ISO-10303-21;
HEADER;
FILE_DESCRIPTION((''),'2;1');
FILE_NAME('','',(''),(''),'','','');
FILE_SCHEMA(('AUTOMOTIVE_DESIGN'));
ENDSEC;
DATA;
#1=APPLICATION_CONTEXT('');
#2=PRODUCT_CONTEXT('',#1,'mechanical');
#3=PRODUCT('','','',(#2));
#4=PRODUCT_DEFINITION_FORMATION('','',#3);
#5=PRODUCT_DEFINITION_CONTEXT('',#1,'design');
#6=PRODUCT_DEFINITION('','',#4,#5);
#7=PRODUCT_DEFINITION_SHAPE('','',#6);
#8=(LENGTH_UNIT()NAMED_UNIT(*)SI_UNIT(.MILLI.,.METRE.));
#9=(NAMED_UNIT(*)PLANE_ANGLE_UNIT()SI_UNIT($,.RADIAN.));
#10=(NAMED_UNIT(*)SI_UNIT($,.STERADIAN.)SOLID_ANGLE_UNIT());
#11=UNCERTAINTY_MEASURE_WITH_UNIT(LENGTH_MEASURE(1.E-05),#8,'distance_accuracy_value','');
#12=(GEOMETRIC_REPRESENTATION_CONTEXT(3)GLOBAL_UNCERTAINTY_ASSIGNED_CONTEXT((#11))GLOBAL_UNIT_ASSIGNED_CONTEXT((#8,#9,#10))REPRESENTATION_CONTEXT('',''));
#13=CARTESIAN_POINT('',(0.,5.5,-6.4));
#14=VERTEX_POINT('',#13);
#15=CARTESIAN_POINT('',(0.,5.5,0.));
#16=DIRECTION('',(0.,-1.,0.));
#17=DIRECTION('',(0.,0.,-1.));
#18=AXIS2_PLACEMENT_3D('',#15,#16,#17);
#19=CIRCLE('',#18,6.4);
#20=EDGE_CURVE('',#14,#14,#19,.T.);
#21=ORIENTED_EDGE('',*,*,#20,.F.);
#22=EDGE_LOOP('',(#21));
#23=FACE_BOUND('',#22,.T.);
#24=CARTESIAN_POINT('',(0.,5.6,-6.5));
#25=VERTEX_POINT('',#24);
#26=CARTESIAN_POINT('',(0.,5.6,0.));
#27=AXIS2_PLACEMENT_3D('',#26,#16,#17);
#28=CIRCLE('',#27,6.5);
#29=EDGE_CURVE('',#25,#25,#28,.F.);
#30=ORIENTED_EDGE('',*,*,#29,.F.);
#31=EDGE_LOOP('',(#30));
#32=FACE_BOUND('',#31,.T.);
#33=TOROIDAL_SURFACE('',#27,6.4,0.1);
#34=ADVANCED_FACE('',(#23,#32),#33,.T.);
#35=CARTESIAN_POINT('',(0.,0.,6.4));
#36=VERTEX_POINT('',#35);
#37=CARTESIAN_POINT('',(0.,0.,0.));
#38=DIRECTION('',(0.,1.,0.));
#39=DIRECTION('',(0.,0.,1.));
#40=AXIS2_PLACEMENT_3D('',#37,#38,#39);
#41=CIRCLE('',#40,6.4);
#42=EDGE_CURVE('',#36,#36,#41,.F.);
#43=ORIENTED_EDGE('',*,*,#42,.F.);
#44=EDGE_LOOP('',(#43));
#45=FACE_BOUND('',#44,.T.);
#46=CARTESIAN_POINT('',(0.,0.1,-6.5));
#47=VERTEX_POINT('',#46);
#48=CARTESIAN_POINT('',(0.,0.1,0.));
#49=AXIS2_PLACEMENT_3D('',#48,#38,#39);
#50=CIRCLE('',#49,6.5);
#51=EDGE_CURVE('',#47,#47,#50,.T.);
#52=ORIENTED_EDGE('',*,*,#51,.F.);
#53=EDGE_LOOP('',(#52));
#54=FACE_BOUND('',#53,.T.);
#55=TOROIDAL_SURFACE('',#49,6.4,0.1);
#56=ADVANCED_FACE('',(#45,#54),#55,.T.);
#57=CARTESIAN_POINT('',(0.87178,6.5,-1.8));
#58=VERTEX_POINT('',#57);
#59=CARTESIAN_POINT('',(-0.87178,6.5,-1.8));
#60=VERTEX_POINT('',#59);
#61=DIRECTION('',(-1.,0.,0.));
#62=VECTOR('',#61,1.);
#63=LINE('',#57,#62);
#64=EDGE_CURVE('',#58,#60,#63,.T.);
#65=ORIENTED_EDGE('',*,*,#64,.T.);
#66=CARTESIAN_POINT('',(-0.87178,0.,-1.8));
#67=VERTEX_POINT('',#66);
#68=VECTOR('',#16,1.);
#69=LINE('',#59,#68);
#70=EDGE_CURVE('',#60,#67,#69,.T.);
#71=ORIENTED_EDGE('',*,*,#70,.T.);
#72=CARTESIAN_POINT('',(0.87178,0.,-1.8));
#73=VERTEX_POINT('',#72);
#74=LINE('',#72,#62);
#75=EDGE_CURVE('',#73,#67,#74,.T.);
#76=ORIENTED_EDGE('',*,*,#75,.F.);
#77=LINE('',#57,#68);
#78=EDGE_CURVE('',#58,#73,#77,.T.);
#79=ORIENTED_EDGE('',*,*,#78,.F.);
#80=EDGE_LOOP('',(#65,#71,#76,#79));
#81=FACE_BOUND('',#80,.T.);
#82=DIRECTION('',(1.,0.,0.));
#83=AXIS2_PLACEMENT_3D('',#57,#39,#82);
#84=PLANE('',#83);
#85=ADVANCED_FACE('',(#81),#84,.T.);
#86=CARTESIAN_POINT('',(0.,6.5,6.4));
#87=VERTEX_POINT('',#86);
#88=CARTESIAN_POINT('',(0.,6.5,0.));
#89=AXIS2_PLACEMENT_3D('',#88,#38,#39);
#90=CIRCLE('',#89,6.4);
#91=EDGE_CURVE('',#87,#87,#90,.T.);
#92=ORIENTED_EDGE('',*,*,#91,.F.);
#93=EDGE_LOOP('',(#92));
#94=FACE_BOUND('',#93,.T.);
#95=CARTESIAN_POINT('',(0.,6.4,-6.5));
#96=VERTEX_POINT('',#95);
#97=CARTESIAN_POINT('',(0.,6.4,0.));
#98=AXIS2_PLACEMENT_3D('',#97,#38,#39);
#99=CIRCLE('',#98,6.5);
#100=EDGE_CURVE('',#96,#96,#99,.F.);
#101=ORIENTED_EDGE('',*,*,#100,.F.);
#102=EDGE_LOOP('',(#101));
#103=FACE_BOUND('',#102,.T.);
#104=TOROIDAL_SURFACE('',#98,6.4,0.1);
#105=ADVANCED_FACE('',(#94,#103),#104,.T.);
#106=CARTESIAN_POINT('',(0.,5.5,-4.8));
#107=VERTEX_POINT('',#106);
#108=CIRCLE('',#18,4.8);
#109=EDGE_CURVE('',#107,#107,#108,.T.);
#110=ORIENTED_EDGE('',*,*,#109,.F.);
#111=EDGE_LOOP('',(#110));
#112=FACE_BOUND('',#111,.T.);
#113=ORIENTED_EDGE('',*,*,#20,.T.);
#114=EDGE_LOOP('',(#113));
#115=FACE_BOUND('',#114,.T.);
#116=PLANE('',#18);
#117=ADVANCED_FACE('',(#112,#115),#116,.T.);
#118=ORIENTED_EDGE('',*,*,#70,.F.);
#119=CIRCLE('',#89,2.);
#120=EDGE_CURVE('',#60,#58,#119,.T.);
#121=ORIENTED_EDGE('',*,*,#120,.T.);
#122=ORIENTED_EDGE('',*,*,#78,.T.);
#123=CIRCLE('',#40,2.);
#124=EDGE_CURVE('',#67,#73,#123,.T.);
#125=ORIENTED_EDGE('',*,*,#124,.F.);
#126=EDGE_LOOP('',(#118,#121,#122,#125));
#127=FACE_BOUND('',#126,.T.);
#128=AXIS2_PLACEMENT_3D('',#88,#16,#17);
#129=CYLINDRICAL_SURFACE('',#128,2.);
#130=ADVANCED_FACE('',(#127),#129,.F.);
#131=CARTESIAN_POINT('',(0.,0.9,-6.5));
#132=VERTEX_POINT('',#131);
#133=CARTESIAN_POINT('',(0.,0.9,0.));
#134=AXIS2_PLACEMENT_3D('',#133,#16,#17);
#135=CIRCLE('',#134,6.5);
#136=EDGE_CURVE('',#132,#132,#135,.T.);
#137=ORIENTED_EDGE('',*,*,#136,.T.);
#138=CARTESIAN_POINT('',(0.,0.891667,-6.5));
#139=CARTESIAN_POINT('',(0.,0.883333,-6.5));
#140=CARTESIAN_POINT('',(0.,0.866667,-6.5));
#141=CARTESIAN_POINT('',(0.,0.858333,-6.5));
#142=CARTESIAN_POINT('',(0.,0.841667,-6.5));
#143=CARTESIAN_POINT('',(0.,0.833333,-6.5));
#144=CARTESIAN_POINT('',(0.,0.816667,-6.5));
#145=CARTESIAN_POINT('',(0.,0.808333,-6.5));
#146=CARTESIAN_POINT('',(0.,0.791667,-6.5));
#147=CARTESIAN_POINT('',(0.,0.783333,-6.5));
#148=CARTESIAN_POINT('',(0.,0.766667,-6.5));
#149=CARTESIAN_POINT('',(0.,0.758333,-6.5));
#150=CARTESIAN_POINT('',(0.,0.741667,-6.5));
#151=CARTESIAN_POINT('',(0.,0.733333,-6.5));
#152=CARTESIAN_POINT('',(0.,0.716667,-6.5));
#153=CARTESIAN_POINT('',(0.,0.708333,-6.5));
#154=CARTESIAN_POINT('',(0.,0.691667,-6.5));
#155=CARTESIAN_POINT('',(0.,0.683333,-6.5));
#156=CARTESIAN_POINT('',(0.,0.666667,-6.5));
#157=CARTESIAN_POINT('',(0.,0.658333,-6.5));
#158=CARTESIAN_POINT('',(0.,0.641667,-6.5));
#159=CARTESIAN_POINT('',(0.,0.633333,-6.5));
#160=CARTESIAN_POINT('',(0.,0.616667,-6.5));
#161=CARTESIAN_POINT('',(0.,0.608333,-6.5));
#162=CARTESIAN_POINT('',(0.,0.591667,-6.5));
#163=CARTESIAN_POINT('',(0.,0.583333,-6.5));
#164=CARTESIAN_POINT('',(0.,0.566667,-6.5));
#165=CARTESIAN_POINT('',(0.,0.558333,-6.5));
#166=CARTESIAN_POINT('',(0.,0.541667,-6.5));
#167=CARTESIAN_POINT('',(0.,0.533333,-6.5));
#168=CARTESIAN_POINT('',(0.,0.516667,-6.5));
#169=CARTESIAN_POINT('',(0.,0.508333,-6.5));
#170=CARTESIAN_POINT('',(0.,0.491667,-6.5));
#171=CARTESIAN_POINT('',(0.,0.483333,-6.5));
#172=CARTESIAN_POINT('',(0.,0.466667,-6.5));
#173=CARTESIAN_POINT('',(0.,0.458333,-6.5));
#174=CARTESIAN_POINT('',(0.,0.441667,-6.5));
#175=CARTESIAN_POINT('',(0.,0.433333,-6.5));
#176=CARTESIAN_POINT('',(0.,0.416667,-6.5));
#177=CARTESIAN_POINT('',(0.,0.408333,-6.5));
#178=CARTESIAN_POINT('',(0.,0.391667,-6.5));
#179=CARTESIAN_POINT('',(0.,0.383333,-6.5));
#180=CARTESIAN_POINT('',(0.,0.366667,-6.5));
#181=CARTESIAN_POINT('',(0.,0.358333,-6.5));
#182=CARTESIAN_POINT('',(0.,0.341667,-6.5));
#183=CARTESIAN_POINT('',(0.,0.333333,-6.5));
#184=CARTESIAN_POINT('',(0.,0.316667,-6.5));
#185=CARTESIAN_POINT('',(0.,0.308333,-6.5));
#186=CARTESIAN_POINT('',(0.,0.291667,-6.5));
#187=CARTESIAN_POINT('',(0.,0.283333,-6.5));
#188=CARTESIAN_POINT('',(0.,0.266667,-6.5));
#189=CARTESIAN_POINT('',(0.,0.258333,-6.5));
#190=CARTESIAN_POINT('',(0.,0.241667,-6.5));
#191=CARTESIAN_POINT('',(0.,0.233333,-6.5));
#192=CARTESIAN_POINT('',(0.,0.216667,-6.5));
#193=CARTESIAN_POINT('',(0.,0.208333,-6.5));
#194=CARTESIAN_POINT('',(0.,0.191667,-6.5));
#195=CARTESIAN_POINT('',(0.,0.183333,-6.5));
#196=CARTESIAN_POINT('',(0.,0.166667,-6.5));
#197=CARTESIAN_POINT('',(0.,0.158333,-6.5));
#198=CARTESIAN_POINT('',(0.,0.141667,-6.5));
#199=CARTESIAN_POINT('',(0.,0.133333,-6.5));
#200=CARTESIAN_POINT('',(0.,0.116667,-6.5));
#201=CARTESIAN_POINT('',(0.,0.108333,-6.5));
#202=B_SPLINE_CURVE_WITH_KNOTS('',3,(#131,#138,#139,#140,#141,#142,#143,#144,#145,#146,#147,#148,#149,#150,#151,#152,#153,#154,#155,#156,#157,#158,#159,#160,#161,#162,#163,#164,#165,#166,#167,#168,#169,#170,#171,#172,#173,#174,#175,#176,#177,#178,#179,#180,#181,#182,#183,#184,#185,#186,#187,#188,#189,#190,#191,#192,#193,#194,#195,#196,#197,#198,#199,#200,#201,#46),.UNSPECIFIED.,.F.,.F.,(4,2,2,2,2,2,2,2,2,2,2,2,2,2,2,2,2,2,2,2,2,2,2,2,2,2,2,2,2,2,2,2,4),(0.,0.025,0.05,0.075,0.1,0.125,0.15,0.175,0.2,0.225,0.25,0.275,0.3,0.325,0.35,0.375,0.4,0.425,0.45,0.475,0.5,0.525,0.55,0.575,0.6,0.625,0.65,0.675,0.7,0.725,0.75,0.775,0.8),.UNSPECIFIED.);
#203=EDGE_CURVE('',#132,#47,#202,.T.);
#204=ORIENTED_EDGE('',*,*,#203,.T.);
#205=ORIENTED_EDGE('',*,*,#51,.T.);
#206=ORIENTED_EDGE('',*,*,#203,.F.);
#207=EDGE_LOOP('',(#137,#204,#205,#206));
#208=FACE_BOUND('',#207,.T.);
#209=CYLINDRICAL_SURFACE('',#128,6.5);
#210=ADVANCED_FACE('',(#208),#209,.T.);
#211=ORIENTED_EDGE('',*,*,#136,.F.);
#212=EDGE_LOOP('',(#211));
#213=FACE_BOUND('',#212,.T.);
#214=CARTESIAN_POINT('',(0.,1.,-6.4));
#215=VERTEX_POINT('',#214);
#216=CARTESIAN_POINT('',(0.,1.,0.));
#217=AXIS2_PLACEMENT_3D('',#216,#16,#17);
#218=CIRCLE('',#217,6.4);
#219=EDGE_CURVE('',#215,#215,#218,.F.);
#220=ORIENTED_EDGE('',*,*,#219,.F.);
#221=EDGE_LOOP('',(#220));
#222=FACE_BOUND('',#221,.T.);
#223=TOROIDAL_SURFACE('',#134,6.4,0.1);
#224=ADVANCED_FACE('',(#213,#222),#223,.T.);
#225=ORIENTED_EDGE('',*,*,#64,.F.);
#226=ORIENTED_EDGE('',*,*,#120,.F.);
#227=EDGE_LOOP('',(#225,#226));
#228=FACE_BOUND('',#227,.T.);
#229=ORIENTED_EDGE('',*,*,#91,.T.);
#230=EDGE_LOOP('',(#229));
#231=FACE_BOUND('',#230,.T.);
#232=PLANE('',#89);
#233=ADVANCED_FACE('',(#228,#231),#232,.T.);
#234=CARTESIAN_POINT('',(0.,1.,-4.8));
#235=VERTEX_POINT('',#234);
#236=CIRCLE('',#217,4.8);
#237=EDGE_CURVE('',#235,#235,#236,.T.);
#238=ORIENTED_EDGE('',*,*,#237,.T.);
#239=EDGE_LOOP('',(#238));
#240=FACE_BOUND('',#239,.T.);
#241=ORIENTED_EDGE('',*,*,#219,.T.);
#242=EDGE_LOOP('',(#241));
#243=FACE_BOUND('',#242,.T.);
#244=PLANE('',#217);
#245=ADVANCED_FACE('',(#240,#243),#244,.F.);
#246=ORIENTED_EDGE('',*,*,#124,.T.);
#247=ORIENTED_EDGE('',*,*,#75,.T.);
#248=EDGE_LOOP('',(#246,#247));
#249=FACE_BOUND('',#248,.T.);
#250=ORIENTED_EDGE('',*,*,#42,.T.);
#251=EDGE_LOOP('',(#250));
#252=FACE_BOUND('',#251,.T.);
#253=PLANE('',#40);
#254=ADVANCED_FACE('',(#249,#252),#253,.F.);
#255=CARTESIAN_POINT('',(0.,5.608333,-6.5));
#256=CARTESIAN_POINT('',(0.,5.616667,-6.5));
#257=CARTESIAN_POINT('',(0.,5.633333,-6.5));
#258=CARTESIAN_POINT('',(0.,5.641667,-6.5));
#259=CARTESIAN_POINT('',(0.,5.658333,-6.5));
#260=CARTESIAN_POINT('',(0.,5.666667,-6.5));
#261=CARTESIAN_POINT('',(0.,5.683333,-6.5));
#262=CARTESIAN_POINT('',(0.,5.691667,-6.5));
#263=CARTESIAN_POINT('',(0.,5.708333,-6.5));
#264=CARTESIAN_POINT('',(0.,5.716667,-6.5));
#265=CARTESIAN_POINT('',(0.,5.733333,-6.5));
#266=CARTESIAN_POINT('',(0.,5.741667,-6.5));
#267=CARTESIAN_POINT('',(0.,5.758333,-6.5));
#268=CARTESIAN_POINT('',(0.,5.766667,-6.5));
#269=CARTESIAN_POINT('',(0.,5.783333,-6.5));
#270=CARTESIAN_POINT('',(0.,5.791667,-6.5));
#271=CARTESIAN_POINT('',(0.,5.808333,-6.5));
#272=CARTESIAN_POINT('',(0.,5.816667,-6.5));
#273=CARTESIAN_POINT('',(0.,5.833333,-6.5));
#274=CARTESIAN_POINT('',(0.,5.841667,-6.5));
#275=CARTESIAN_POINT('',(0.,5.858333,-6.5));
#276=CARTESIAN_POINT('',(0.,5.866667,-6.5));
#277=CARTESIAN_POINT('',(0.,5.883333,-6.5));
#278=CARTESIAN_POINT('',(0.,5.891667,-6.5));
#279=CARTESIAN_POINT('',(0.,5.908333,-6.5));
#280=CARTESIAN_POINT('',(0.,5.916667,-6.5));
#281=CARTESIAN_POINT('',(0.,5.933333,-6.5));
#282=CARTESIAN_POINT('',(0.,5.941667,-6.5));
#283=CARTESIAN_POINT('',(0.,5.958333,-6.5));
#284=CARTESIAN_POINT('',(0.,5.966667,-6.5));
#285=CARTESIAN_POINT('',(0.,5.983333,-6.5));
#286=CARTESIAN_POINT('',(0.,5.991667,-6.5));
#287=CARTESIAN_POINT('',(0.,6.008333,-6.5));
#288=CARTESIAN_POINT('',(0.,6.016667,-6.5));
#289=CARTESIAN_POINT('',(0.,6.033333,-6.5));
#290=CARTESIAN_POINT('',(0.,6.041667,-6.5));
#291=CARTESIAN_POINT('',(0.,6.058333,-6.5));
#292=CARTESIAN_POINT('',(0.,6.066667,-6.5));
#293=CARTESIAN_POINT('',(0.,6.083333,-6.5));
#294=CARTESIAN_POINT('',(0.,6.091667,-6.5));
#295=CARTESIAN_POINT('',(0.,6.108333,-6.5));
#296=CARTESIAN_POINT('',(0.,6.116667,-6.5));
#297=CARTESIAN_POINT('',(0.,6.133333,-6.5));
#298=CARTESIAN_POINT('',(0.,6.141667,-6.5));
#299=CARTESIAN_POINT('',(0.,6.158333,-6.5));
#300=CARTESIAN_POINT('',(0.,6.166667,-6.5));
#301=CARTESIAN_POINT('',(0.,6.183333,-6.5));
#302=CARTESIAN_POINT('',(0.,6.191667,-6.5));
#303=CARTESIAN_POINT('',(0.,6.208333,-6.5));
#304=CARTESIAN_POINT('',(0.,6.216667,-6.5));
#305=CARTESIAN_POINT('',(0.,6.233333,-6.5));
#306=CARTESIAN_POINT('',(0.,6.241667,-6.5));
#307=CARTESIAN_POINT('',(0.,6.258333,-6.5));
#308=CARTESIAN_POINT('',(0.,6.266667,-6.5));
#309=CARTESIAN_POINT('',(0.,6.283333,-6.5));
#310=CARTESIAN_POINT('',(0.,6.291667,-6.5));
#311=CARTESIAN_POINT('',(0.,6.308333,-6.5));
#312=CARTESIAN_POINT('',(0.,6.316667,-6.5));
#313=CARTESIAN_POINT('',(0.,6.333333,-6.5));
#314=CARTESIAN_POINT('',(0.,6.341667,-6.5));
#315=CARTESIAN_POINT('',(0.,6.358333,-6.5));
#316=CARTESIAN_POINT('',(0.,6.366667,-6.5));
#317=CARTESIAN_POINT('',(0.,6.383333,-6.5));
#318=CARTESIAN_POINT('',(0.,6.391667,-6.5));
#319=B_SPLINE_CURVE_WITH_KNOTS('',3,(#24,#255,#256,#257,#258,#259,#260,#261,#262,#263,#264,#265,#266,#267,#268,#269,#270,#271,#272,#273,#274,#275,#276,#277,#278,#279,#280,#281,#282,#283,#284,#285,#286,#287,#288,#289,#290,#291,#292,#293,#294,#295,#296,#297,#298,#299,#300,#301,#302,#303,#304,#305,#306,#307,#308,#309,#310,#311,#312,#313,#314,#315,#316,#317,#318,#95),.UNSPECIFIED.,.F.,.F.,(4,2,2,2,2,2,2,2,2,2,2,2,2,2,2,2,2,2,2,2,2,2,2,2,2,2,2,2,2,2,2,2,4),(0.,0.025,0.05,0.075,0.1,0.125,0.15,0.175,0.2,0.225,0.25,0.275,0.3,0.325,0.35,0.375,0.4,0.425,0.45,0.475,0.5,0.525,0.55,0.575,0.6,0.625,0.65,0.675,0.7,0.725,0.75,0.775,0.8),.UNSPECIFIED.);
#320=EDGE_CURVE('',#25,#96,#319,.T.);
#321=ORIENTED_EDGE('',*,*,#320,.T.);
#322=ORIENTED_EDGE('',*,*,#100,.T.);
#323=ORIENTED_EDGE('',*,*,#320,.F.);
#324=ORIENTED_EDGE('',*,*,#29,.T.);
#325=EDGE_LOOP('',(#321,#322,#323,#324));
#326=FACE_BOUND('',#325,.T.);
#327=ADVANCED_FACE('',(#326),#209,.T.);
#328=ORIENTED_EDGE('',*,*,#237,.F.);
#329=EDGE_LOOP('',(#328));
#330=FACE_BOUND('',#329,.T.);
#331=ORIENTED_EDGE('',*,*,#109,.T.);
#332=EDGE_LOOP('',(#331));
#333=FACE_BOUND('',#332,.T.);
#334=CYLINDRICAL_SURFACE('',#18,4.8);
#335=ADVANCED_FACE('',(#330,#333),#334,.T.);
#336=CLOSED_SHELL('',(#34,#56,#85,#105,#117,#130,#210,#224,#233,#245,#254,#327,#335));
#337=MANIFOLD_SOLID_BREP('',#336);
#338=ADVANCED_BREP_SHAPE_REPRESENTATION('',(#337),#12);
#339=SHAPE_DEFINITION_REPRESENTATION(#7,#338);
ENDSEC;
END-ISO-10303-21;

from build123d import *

# Parameters (mm, degrees)
SKETCH_2_R          = 6.5
EXTRUDE_1_DEPTH     = 6.5
SKETCH_4_R          = 6.5
SKETCH_4_R_2        = 4.8
CUT_EXTRUDE_1_DEPTH = 4.5
FILLET_1_R          = 0.1


with BuildPart() as part:
    # 草图2 → 凸台-拉伸1 (new body)
    with BuildSketch(Plane(origin=(0, 0, 0), x_dir=(1, 0, 0), z_dir=(0, 1, 0))):
        with Locations(Location((0, 0, 0), (0, 0, 90))):
            Circle(SKETCH_2_R)
        with BuildLine():
            Line((0.871779789, 1.8), (-0.871779789, 1.8))
            ThreePointArc((-0.871779789, 1.8), (0, -2), (0.871779789, 1.8))
        make_face(mode=Mode.SUBTRACT)
    extrude(amount=EXTRUDE_1_DEPTH)

    # 草图4 → 切除-拉伸1 (cut)
    with BuildSketch(Plane(origin=(0, 1, 0), x_dir=(-1, 0, 0), z_dir=(0, -1, 0))):
        with Locations(Location((0, 0, 0), (0, 0, 90))):
            Circle(SKETCH_4_R)
        with Locations(Location((0, 0, 0), (0, 0, 90))):
            Circle(SKETCH_4_R_2, mode=Mode.SUBTRACT)
    extrude(amount=-CUT_EXTRUDE_1_DEPTH, mode=Mode.SUBTRACT)

    # 圆角1
    fillet_1_edges = [part.edges().sort_by_distance(p)[0] for p in [
        (0, 5.5, 6.5),
        (0, 1, 6.5),
        (0, 0, 6.5),
        (0, 6.5, 6.5),
    ]]
    fillet(fillet_1_edges, radius=FILLET_1_R)


solid = part.part
